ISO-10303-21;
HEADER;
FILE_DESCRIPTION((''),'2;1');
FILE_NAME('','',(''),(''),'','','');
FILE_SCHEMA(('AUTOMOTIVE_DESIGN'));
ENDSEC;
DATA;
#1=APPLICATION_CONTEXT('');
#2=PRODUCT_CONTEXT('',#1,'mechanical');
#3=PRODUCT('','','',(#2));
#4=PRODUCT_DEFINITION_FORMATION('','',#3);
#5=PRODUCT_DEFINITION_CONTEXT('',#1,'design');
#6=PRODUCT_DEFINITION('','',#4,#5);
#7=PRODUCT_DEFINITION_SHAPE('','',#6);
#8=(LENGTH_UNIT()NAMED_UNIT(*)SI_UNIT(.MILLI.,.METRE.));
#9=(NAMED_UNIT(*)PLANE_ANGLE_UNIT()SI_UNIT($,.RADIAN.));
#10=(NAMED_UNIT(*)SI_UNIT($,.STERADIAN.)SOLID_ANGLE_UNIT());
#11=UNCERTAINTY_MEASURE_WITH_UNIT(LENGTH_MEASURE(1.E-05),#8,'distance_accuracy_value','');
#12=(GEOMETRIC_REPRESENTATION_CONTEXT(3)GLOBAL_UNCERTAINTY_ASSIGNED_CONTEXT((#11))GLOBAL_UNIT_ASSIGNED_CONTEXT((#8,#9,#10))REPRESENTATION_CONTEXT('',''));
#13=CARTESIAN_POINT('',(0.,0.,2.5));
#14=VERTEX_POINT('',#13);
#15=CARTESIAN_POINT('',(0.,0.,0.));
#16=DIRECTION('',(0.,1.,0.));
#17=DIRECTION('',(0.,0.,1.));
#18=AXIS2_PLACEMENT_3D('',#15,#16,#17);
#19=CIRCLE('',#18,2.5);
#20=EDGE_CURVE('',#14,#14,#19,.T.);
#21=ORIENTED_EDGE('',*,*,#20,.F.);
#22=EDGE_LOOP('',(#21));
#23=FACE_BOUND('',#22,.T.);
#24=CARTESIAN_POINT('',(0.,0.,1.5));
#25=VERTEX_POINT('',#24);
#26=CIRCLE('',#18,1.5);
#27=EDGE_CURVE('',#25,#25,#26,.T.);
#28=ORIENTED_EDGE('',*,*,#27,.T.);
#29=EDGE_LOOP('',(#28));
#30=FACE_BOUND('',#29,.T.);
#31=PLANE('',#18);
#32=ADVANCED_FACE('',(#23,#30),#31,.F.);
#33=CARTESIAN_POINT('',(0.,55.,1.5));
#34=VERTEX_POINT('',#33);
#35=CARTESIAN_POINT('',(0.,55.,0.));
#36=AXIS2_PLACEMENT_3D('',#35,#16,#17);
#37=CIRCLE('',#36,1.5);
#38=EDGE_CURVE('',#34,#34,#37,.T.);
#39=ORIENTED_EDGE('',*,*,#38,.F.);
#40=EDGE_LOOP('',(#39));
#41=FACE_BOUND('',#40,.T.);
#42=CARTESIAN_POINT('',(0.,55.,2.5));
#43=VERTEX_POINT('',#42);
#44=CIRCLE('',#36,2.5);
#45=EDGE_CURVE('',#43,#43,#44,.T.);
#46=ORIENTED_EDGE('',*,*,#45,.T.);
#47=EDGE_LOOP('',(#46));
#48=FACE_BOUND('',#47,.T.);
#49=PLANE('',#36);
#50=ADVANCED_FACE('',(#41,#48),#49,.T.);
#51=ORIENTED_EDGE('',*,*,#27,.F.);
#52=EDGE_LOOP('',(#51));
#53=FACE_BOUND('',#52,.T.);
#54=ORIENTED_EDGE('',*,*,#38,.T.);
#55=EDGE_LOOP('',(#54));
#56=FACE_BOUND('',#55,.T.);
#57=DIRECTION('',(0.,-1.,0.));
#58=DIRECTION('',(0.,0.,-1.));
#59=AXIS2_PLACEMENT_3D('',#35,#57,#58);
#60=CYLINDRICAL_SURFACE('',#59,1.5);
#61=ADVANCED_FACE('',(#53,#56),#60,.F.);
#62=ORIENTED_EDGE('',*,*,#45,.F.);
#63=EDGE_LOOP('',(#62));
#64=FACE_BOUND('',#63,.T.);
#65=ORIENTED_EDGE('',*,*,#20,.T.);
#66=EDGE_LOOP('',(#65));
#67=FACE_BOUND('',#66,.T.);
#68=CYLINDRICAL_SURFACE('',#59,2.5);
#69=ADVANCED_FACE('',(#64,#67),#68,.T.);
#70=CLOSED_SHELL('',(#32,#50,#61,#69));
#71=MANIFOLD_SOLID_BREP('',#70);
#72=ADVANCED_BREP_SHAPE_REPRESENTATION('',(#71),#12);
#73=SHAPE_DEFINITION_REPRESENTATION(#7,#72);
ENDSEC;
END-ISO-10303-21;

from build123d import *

# Parameters (mm, degrees)
SKETCH_1_R      = 2.5
SKETCH_1_R_2    = 1.5
EXTRUDE_1_DEPTH = 55


with BuildPart() as part:
    # 草图1 → 凸台-拉伸1 (new body)
    with BuildSketch(Plane(origin=(0, 0, 0), x_dir=(1, 0, 0), z_dir=(0, 1, 0))):
        with Locations(Location((0, 0, 0), (0, 0, 270))):
            Circle(SKETCH_1_R)
        with Locations(Location((0, 0, 0), (0, 0, 270))):
            Circle(SKETCH_1_R_2, mode=Mode.SUBTRACT)
    extrude(amount=EXTRUDE_1_DEPTH)


solid = part.part
